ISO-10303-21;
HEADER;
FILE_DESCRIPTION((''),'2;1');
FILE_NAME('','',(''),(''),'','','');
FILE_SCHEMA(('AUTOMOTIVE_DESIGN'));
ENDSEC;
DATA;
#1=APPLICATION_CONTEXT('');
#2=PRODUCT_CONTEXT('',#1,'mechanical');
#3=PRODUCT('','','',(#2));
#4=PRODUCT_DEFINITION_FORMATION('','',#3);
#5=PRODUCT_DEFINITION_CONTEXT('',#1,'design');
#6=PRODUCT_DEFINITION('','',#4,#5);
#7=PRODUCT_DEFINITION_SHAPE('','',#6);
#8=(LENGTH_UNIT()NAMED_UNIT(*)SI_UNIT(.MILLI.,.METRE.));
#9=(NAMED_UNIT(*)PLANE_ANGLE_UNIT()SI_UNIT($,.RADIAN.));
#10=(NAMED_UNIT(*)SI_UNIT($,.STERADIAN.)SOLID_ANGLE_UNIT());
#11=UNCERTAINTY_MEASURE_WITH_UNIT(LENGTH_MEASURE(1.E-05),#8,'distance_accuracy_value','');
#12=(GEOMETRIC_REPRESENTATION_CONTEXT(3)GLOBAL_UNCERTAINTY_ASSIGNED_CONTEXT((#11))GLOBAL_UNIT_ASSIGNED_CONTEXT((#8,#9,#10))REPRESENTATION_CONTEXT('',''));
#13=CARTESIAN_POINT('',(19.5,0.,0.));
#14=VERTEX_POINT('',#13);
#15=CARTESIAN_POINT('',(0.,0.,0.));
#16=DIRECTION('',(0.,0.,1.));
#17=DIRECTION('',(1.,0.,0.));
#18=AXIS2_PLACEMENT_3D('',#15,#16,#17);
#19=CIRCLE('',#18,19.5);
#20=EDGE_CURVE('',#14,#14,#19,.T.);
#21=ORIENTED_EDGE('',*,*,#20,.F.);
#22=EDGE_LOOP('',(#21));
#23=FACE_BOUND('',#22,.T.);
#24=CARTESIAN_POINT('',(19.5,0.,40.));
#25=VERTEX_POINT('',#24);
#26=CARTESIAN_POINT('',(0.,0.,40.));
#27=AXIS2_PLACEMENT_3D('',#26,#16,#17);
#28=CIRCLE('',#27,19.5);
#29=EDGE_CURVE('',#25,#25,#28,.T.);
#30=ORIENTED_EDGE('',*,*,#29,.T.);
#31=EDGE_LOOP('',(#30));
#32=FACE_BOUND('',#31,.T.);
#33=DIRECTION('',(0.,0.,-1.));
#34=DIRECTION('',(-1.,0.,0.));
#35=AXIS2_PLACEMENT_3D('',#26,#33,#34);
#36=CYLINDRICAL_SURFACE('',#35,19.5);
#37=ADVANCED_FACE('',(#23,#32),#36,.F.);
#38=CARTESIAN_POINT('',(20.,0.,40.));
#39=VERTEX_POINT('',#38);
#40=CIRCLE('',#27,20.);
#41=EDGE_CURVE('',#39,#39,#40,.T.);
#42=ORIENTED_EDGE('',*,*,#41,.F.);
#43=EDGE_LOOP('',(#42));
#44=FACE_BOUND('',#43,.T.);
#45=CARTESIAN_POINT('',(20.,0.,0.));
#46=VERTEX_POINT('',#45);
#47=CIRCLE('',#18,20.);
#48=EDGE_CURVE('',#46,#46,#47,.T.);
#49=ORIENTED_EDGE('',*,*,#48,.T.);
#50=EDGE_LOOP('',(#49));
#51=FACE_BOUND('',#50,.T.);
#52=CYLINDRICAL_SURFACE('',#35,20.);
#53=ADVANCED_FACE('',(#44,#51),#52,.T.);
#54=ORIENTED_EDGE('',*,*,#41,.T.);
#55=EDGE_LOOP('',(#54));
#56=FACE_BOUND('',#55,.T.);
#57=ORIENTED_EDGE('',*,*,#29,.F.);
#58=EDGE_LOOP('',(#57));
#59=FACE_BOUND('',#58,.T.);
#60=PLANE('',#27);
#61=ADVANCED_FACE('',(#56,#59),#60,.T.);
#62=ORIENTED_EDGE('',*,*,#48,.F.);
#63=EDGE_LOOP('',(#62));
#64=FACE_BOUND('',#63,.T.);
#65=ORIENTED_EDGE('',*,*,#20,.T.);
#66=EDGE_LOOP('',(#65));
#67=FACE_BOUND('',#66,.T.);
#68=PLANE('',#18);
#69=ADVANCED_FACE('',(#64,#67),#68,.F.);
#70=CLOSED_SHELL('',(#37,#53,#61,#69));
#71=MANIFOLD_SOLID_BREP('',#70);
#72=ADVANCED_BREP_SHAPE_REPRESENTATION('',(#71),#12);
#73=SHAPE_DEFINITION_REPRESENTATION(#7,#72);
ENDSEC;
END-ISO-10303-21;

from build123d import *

# Parameters (mm, degrees)
ESQUISSE1_R        = 20
ESQUISSE1_R_2      = 19.5
BOSS_EXTRU_1_DEPTH = 40


with BuildPart() as part:
    # Esquisse1 → Boss.-Extru.1 (new body)
    with BuildSketch(Plane.XY):
        Circle(ESQUISSE1_R)
        Circle(ESQUISSE1_R_2, mode=Mode.SUBTRACT)
    extrude(amount=BOSS_EXTRU_1_DEPTH)


solid = part.part
